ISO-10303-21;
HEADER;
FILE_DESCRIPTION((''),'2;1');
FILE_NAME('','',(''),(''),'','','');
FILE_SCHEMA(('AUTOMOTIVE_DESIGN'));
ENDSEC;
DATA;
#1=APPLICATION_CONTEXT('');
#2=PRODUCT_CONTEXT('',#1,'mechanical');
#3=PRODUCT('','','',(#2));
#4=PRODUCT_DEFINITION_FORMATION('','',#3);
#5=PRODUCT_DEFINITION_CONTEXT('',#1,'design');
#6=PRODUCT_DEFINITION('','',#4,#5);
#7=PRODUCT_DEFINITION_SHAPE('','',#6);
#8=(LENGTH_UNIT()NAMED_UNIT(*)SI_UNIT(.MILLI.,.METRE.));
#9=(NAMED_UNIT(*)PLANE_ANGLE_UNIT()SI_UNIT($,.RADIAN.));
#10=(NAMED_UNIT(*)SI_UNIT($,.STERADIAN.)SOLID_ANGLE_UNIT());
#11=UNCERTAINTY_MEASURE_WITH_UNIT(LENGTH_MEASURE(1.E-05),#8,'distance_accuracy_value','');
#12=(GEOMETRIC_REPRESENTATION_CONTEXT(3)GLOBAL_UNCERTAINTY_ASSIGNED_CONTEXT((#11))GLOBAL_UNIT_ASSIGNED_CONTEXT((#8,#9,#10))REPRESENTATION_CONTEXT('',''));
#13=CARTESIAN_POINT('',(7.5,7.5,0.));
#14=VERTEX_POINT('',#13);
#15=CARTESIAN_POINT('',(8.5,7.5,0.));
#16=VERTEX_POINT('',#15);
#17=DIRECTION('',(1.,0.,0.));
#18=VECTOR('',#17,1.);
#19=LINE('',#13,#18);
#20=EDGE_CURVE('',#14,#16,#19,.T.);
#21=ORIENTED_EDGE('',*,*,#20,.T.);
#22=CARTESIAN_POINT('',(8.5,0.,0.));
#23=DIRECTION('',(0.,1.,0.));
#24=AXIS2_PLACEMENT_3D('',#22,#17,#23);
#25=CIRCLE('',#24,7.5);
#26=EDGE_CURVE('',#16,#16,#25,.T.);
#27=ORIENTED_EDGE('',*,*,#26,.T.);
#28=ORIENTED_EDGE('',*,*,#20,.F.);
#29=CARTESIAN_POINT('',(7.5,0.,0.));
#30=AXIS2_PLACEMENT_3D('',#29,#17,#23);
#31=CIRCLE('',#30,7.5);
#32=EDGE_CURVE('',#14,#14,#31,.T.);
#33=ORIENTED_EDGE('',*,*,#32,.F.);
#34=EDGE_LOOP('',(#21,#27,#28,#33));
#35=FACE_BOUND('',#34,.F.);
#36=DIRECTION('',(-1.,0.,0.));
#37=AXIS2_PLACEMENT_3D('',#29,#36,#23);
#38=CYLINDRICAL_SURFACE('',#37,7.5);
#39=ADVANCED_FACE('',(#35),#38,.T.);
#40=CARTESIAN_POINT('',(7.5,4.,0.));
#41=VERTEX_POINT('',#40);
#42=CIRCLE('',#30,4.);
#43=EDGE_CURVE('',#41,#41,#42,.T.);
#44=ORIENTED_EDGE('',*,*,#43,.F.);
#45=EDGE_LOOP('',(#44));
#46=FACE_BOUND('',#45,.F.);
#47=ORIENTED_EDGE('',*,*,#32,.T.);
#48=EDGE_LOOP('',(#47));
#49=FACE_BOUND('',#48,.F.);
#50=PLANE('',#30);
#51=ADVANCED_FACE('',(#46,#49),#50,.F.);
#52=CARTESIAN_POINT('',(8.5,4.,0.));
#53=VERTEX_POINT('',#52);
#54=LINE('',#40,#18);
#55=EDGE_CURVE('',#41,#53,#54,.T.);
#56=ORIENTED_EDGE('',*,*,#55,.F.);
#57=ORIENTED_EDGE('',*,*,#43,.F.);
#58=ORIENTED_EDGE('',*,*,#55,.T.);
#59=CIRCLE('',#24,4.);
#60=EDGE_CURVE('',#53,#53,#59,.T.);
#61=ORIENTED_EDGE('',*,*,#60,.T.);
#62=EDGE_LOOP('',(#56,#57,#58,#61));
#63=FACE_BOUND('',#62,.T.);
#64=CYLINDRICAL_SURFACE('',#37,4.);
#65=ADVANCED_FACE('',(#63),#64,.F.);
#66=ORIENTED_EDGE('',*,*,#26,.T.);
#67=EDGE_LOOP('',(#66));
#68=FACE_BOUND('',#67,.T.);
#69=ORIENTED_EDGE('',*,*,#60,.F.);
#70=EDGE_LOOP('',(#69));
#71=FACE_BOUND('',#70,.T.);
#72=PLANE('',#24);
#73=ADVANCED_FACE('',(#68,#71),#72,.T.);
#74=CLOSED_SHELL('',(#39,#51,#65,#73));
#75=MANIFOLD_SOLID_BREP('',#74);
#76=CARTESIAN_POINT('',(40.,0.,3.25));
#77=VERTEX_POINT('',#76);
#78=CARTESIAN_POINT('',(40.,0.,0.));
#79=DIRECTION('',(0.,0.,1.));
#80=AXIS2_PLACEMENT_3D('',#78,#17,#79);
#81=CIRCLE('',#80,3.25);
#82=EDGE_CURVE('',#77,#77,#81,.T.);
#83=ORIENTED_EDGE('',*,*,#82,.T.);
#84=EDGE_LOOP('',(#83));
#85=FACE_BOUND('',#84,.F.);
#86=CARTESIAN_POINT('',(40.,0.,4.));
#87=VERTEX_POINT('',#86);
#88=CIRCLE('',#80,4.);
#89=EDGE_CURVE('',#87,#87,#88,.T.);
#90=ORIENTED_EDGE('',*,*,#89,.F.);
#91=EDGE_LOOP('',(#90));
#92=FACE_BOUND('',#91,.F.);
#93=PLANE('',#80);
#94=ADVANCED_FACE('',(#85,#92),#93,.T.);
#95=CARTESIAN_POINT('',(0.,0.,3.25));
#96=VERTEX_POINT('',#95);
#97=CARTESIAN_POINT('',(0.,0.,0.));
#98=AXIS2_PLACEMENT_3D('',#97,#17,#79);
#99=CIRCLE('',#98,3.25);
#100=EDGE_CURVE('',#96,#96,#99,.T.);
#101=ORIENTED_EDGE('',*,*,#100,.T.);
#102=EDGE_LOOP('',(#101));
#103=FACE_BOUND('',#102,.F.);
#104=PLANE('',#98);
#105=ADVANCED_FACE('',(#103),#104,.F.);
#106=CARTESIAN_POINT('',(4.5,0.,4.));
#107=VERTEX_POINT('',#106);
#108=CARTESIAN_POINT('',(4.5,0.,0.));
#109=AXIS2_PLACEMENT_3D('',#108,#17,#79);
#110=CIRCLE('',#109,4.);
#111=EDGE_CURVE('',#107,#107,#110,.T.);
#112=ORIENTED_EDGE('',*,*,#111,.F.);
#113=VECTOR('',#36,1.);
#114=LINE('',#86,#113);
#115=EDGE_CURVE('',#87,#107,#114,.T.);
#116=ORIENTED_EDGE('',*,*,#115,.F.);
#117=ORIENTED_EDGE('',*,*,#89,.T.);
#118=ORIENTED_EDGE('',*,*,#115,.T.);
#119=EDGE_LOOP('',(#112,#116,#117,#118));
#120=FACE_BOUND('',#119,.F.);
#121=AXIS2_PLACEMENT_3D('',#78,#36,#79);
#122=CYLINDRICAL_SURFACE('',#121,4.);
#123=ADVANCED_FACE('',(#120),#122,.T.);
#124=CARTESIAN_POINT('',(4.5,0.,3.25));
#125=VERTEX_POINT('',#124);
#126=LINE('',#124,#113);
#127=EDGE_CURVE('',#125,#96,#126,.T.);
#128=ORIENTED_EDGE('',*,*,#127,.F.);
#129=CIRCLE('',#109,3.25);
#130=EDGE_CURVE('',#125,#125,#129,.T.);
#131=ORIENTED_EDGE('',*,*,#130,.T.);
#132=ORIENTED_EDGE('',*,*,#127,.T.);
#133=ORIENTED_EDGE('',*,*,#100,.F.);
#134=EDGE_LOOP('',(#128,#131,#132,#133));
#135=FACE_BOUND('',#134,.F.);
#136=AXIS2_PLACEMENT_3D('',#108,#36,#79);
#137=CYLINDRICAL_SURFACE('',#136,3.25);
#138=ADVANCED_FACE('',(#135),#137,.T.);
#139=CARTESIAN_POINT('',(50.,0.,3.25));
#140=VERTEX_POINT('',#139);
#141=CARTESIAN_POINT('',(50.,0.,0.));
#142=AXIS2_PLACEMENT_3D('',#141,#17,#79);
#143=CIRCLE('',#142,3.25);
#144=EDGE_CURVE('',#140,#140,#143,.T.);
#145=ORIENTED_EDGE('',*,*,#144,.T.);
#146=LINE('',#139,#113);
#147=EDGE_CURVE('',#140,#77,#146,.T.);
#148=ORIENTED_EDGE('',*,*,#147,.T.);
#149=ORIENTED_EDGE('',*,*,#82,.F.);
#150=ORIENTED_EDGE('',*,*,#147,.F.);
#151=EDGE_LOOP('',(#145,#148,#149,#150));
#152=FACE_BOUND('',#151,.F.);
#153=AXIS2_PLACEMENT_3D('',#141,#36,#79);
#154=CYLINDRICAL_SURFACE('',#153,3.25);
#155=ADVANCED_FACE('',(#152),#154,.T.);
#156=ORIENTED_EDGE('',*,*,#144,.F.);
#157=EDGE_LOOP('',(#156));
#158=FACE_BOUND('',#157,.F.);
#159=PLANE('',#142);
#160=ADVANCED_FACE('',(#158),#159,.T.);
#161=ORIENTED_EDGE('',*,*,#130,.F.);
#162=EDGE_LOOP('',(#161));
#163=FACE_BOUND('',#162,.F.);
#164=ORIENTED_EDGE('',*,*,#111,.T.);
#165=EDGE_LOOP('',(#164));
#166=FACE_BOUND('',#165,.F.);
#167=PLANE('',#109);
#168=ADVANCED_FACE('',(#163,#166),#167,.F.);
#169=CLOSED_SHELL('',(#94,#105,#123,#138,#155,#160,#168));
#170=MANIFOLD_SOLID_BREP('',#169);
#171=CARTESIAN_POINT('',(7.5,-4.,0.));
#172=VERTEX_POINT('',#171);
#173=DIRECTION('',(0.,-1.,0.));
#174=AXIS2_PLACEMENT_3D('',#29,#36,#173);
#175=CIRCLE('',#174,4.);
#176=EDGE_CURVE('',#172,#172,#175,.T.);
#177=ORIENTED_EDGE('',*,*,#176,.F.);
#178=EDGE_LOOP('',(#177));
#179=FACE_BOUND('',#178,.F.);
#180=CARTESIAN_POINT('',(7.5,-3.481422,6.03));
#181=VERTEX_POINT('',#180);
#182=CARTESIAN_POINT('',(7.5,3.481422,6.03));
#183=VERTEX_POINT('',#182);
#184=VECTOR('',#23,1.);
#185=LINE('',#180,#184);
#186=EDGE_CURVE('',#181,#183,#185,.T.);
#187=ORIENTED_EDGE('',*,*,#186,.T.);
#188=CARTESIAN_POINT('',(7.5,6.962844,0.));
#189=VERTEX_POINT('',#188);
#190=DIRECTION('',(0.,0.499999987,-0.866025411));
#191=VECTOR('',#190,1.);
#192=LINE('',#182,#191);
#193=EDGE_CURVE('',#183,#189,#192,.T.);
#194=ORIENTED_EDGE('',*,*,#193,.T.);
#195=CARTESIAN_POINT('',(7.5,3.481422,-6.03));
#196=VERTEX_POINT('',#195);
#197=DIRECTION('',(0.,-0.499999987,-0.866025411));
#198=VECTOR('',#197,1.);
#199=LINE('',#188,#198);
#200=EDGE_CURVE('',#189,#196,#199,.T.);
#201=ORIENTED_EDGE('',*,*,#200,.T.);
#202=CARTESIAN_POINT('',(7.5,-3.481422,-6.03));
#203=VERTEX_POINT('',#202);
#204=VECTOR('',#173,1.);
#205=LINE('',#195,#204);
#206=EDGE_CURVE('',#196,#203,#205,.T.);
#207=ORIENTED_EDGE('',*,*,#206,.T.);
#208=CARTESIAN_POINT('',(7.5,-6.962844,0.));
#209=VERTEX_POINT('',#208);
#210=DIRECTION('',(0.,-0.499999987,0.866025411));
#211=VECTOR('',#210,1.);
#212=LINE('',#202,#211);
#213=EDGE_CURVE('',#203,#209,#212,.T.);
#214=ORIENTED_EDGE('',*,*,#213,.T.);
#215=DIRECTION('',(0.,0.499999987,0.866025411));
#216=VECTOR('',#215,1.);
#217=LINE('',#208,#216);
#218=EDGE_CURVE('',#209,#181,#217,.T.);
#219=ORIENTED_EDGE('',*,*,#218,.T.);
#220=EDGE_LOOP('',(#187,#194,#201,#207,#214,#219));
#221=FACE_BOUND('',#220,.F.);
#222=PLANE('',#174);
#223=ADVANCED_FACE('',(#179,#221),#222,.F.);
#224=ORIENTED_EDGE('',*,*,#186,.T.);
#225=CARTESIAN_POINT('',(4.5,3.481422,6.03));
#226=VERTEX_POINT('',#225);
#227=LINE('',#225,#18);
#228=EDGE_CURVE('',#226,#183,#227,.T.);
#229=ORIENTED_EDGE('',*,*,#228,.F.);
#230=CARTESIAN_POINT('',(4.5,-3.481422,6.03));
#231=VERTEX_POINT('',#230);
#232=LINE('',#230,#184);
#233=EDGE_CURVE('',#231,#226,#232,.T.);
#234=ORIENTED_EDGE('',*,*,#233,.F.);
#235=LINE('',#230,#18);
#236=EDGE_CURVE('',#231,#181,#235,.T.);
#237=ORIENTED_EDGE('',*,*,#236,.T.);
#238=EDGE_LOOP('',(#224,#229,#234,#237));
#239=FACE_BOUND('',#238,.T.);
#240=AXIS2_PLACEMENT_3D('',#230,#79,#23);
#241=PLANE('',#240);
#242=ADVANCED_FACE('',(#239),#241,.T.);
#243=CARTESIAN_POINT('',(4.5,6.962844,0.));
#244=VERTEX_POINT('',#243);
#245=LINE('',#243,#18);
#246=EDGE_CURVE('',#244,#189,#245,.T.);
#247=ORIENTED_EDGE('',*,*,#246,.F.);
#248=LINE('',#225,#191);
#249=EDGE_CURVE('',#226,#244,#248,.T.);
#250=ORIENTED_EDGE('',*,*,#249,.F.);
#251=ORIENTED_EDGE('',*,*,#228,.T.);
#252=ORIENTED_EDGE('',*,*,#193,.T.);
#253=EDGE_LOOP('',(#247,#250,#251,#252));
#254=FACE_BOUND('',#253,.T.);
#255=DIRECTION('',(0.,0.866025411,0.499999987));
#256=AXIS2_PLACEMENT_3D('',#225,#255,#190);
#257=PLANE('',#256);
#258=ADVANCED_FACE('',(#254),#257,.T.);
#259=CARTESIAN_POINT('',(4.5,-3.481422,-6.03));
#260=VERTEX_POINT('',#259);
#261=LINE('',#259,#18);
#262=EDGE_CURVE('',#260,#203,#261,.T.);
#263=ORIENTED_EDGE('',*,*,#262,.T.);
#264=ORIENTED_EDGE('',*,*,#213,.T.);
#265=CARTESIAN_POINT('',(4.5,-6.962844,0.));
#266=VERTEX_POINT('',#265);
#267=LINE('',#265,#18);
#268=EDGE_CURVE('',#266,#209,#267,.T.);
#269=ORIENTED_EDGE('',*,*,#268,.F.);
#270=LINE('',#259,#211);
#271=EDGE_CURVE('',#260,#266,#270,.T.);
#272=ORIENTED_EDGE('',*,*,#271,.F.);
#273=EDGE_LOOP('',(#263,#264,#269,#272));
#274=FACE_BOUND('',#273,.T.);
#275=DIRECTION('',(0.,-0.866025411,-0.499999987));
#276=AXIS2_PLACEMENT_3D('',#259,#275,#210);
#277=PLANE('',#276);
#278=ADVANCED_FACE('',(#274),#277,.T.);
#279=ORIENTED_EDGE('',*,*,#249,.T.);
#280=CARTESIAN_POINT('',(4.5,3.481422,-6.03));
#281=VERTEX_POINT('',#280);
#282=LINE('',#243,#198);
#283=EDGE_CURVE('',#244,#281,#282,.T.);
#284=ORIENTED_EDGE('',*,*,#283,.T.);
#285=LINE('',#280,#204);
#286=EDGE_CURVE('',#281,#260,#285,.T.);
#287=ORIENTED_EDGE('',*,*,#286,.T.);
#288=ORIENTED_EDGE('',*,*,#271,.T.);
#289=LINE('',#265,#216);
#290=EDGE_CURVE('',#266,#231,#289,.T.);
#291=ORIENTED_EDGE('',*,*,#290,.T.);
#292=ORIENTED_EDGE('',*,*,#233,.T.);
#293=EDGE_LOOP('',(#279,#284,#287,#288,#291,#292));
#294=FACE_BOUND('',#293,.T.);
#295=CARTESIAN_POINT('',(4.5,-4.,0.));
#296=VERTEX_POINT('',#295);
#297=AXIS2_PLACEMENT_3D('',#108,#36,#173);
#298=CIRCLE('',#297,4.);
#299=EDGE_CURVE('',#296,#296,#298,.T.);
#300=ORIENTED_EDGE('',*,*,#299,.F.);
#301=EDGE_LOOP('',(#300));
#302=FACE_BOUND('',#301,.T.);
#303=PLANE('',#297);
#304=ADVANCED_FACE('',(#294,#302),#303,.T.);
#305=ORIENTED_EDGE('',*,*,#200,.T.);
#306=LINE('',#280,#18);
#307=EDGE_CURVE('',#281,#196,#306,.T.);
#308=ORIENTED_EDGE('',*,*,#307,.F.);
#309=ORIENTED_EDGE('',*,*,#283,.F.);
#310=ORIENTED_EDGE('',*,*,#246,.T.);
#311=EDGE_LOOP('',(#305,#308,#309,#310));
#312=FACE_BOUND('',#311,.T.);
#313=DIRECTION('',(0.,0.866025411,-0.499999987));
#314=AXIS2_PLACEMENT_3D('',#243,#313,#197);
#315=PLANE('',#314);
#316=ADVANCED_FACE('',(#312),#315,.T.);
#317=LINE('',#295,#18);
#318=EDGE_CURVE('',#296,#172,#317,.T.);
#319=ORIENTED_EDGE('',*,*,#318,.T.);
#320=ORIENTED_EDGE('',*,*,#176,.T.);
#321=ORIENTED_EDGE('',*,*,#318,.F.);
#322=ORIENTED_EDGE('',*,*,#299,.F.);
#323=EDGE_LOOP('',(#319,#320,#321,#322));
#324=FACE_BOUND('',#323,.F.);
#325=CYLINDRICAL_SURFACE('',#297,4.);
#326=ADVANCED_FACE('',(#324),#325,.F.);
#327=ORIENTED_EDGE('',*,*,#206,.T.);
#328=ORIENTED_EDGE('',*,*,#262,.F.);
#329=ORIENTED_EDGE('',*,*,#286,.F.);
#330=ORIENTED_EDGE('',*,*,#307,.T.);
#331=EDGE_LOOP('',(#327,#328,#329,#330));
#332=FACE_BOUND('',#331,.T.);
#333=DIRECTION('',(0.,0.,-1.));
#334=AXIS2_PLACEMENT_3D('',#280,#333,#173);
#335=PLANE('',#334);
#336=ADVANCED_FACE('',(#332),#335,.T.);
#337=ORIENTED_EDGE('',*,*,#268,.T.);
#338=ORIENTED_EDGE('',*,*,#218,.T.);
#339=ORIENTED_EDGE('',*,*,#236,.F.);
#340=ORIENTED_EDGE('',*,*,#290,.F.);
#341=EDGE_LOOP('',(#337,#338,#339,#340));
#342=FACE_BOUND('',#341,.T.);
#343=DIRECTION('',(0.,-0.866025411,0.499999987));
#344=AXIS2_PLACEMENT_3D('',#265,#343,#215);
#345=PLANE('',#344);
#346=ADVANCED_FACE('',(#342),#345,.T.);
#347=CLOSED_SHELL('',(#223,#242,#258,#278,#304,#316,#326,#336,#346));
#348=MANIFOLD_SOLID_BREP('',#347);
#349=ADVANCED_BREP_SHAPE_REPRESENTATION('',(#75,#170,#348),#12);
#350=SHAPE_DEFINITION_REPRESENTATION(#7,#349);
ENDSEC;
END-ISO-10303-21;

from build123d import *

# Parameters (mm, degrees)
F2_R     = 4
F3_DEPTH = 3
F4_R     = 7.5
F4_R_2   = 4
F5_DEPTH = 1


with BuildPart() as f1:
    # F0 (on Front) → F1 (revolve)
    with BuildSketch(Plane.XZ):
        Polygon((0, 3.25), (0, 0), (50, 0), (50, 3.25), (40, 3.25), (40, 4), (4.5, 4), (4.5, 3.25), align=None)
    revolve(axis=Axis((25, 0, 0), (1, 0, 0)))


with BuildPart() as f3:
    # F2 (on face) → F3 (new body)
    with BuildSketch(Plane(origin=(4.5, 0, 0), x_dir=(0, -1, 0), z_dir=(-1, 0, 0))):
        Polygon((3.481422, 6.03), (-3.481422, 6.03), (-6.962844, 0), (-3.481422, -6.03), (3.481422, -6.03), (6.962844, 0), align=None)
        Circle(F2_R, mode=Mode.SUBTRACT)
    extrude(amount=-F3_DEPTH)


with BuildPart() as f5:
    # F4 (on face) → F5 (new body)
    with BuildSketch(Plane.YZ.offset(7.5)):
        Circle(F4_R)
        Circle(F4_R_2, mode=Mode.SUBTRACT)
    extrude(amount=F5_DEPTH)


solid = Compound([f1.part, f3.part, f5.part])
